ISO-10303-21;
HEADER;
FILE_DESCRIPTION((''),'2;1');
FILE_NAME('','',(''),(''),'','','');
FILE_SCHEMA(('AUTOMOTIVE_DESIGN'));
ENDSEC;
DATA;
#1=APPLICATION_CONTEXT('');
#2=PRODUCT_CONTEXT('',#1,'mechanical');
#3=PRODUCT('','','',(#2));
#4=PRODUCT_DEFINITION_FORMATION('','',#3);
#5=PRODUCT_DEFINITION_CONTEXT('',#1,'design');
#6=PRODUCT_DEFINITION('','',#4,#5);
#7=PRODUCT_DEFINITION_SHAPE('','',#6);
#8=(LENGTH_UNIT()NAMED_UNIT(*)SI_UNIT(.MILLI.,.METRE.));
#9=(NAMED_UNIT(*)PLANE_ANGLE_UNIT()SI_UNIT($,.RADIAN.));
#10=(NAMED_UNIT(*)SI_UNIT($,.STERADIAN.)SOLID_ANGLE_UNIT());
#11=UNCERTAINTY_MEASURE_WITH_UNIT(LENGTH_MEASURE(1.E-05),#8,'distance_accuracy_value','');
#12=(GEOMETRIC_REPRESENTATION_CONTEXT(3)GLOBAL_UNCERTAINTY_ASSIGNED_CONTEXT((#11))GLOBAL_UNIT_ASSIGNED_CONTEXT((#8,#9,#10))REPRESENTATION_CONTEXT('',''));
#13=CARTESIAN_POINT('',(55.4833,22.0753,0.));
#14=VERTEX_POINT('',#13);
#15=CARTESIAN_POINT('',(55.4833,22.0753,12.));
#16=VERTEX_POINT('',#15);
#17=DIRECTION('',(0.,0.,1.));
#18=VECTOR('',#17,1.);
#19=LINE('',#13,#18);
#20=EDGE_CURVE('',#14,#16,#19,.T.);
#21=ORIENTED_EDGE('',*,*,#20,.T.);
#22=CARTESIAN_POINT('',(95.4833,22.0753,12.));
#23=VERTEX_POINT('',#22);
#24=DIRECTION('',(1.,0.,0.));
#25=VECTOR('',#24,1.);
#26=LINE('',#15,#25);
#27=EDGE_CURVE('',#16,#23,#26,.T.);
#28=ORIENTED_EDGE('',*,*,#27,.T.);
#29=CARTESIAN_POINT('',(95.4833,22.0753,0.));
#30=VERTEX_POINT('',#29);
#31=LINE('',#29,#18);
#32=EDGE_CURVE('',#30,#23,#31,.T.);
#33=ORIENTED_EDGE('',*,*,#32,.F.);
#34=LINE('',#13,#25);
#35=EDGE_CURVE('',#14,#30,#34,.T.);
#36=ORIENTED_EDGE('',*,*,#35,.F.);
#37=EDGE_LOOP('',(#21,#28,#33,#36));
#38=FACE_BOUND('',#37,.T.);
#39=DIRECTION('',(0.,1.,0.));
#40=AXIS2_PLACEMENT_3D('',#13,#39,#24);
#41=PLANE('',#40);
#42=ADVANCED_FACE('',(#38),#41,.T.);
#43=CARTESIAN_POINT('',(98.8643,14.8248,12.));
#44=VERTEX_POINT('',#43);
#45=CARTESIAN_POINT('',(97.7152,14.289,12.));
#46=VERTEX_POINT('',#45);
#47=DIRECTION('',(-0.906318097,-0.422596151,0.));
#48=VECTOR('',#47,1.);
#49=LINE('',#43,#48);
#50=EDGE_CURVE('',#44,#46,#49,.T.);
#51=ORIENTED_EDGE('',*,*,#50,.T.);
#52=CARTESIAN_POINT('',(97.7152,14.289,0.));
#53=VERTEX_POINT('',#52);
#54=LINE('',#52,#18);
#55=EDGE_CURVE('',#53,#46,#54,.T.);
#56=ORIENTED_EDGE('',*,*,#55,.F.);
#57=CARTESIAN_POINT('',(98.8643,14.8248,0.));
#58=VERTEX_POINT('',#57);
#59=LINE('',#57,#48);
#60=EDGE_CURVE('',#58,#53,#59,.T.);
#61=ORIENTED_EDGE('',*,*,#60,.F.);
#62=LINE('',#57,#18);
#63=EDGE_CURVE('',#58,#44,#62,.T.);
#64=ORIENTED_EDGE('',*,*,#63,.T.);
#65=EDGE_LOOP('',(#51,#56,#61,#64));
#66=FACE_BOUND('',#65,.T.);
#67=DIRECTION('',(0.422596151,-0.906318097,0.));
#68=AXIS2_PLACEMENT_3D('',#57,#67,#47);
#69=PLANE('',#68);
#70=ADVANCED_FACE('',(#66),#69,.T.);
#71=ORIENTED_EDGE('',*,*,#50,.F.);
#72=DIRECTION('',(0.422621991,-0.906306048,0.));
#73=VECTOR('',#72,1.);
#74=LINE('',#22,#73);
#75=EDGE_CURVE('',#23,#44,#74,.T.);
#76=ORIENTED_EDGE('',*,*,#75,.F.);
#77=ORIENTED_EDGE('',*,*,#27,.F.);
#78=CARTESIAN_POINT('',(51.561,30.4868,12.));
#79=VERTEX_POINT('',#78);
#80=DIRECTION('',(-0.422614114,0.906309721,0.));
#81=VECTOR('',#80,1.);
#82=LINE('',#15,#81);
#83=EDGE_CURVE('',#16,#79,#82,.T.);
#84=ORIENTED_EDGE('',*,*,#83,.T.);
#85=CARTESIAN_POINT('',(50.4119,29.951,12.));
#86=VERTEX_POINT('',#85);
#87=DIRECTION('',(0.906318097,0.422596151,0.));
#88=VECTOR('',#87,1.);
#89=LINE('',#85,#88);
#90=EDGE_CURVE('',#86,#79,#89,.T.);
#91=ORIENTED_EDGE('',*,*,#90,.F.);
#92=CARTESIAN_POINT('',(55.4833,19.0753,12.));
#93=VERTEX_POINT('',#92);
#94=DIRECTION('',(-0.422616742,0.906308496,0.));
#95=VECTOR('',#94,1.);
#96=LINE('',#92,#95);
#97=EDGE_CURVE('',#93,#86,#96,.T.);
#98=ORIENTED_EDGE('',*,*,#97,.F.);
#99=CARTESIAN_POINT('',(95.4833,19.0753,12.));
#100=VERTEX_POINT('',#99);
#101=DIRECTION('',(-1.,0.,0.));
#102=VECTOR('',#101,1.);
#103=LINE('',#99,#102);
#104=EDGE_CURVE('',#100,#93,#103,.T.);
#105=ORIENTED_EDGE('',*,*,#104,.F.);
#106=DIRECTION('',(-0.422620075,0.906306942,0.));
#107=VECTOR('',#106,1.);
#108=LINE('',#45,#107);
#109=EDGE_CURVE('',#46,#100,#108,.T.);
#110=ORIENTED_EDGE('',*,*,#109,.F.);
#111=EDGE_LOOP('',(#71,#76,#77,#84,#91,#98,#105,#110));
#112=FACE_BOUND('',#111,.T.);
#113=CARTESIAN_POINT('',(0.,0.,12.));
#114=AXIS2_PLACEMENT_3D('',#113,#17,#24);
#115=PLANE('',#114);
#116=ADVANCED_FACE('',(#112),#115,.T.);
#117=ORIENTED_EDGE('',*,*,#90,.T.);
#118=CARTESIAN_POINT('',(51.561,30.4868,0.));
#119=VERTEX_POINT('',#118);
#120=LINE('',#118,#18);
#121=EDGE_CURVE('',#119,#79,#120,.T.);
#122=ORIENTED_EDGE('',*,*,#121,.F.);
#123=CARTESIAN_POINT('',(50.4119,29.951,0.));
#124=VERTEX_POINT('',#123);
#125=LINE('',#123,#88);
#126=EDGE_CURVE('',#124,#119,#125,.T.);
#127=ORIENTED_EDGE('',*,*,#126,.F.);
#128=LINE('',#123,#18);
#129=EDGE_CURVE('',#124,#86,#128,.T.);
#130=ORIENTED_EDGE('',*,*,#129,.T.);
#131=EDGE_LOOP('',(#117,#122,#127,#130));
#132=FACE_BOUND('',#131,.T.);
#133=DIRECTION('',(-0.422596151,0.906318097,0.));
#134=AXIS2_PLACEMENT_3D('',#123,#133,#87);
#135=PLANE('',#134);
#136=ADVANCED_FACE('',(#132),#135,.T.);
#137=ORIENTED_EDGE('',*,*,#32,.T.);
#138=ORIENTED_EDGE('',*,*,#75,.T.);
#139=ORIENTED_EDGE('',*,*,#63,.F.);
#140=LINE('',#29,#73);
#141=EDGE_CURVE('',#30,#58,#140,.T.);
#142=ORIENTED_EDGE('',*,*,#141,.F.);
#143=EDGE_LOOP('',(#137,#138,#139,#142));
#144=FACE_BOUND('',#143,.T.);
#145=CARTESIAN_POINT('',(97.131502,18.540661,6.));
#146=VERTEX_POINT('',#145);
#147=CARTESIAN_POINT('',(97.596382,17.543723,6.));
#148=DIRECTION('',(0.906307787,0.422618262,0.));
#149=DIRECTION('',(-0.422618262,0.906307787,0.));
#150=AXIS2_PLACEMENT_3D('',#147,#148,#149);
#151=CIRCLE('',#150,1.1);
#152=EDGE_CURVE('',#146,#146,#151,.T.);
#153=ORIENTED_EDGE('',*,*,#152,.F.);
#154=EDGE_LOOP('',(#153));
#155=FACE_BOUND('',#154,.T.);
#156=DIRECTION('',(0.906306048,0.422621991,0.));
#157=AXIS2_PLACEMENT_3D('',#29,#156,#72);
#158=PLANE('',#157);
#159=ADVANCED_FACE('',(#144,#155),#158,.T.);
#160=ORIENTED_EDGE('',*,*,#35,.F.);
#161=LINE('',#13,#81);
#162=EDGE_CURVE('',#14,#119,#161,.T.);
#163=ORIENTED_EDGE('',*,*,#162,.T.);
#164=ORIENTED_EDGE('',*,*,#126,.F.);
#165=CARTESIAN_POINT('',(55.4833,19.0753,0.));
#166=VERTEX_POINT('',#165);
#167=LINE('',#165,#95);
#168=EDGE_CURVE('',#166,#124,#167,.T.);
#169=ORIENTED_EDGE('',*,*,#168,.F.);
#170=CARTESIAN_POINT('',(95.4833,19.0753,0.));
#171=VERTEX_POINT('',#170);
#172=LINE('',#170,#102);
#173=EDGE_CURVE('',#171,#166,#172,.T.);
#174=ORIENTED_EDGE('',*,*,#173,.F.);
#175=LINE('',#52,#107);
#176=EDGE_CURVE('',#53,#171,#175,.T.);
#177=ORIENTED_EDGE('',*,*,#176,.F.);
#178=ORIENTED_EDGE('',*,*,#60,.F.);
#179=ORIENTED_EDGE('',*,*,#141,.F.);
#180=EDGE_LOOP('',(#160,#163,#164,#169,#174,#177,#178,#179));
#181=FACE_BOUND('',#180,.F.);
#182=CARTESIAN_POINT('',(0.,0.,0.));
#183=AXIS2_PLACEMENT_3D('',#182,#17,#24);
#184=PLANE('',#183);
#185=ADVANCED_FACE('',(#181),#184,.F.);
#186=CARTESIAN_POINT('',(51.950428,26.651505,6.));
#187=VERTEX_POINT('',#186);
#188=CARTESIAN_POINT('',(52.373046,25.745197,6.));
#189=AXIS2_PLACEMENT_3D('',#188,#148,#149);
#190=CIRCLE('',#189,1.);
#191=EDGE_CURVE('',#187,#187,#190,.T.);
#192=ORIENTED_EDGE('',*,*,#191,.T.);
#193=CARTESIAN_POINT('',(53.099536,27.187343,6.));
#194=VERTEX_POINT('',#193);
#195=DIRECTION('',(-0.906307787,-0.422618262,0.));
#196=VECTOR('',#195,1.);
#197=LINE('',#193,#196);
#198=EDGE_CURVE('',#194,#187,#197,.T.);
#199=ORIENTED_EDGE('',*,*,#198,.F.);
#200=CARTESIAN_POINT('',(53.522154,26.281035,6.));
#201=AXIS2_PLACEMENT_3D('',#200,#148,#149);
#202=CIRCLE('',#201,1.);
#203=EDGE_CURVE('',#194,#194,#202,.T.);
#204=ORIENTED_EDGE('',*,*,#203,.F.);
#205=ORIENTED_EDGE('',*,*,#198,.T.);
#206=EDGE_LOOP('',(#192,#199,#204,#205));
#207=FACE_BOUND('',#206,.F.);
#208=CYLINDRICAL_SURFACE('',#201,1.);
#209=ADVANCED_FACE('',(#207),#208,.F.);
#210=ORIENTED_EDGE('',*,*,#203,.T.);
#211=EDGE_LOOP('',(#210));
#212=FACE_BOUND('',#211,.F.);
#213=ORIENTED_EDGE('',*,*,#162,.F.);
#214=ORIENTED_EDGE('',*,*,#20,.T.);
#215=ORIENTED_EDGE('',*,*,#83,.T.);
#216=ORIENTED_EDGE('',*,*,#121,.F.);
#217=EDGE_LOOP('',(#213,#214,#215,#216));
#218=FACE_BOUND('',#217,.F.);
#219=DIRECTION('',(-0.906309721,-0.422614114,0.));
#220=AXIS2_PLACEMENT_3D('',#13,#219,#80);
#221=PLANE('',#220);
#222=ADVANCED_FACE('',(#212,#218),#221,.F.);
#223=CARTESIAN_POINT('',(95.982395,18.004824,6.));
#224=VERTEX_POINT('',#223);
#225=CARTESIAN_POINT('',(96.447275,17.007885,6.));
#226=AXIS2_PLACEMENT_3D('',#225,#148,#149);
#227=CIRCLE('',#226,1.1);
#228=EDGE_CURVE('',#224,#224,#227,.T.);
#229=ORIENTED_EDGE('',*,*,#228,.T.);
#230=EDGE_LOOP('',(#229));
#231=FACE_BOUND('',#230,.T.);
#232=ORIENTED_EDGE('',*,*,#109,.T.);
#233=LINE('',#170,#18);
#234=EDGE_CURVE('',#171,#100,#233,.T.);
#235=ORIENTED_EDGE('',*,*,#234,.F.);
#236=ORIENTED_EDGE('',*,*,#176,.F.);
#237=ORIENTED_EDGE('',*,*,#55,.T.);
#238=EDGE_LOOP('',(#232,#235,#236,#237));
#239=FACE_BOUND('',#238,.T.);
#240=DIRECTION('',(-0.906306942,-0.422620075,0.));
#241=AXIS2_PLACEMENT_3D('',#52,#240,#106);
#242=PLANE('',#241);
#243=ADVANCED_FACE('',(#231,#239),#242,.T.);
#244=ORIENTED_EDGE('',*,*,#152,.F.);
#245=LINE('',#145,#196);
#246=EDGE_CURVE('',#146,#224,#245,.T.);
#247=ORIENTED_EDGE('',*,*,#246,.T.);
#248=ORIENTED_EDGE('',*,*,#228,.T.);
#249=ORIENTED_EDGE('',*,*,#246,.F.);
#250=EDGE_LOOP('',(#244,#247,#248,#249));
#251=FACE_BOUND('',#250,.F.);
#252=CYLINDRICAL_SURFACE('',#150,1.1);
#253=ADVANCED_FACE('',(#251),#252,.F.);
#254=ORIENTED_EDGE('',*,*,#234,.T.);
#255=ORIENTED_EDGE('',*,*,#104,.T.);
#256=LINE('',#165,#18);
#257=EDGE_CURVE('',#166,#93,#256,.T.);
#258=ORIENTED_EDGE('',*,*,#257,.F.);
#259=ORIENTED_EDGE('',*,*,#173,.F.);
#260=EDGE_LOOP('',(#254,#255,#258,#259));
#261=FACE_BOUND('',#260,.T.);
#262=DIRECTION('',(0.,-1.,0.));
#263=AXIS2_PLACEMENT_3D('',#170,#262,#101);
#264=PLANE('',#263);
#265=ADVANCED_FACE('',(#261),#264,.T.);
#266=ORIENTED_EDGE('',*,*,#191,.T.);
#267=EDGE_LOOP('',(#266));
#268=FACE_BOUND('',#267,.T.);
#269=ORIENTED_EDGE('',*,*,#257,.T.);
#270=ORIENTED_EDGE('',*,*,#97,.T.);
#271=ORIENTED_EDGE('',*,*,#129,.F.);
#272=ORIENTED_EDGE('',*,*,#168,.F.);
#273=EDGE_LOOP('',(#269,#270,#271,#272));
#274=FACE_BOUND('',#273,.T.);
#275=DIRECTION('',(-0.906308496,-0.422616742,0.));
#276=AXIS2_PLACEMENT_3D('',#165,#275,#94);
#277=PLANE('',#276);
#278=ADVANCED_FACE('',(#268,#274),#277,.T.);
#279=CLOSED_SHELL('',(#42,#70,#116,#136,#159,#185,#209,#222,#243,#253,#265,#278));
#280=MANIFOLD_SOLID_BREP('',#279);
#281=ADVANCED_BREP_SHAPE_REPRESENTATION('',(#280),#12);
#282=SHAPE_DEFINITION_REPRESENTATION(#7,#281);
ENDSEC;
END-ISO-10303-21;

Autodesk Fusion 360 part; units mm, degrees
sketch "Sketch1" plane through (0, 0, 0) normal (0, 0, 1) x (1, 0, 0)
  line L0 (55.4833, 22.0753) -> (95.4833, 22.0753)
  line L1 (95.4833, 22.0753) -> (95.4833, 19.0753)
  line L2 (95.4833, 19.0753) -> (55.4833, 19.0753)
  line L3 (55.4833, 19.0753) -> (55.4833, 22.0753)
  line L4 (95.4833, 22.0753) -> (98.8643, 14.8248)
  line L5 (98.8643, 14.8248) -> (97.7152, 14.289)
  line L6 (97.7152, 14.289) -> (95.4833, 19.0753)
  line L7 (55.4833, 19.0753) -> (50.4119, 29.951)
  line L8 (50.4119, 29.951) -> (51.561, 30.4868)
  line L9 (55.4833, 22.0753) -> (51.561, 30.4868)
  dimension "d2" = 3
  dimension "d3" = 40
  dimension "d5" = 115
  dimension "d8" = 115
  dimension "d9" = 115
  dimension "d10" = 115
  dimension "d12" = 8
  dimension "d13" = 12
extrude "Extrude1" add sketch "Sketch1" along normal blind 12
sketch "Sketch2" plane through (86.8847, 40.515, 0) normal (0.9063, 0.4226, 0) x (-0.4226, 0.9063, 0)
  line L0 (-28.346, 0) -> (-20.346, 0)
  line L1 (-20.346, 0) -> (-20.346, 12)
  line L2 (-20.346, 12) -> (-28.346, 12)
  line L3 (-28.346, 12) -> (-28.346, 0)
  line L4 (-25.346, 12) -> (-25.346, 0) construction
  line L5 (-20.346, 6) -> (-28.346, 6) construction
  circle A0 centre (-25.346, 6) radius 1.1
  dimension "d17" = 2.2
  dimension "d23" = 3
extrude "Extrude2" cut sketch "Sketch2" against normal up to surface (1.2679 mm away) contours A0
sketch "Sketch4" plane through (54.029, 25.1941, 0) normal (0.9063, 0.4226, 0) x (-0.4226, 0.9063, 0)
  line L0 (-3.4413, 0) -> (5.8398, 0)
  line L1 (5.8398, 0) -> (5.8398, 12)
  line L2 (5.8398, 12) -> (-3.4413, 12)
  line L3 (-3.4413, 12) -> (-3.4413, 0)
  line L4 (1.1993, 12) -> (1.1993, 0) construction
  line L5 (5.8398, 6) -> (-3.4413, 6) construction
  circle A0 centre (1.1993, 6) radius 1
  dimension "d24" = 2
extrude "Extrude3" cut sketch "Sketch4" against normal up to surface (1.2679 mm away) contours A0
equation "thickness = 3 mm"
equation "d2 = thickness"
equation "d3 = height"
equation "height = 40 mm"
